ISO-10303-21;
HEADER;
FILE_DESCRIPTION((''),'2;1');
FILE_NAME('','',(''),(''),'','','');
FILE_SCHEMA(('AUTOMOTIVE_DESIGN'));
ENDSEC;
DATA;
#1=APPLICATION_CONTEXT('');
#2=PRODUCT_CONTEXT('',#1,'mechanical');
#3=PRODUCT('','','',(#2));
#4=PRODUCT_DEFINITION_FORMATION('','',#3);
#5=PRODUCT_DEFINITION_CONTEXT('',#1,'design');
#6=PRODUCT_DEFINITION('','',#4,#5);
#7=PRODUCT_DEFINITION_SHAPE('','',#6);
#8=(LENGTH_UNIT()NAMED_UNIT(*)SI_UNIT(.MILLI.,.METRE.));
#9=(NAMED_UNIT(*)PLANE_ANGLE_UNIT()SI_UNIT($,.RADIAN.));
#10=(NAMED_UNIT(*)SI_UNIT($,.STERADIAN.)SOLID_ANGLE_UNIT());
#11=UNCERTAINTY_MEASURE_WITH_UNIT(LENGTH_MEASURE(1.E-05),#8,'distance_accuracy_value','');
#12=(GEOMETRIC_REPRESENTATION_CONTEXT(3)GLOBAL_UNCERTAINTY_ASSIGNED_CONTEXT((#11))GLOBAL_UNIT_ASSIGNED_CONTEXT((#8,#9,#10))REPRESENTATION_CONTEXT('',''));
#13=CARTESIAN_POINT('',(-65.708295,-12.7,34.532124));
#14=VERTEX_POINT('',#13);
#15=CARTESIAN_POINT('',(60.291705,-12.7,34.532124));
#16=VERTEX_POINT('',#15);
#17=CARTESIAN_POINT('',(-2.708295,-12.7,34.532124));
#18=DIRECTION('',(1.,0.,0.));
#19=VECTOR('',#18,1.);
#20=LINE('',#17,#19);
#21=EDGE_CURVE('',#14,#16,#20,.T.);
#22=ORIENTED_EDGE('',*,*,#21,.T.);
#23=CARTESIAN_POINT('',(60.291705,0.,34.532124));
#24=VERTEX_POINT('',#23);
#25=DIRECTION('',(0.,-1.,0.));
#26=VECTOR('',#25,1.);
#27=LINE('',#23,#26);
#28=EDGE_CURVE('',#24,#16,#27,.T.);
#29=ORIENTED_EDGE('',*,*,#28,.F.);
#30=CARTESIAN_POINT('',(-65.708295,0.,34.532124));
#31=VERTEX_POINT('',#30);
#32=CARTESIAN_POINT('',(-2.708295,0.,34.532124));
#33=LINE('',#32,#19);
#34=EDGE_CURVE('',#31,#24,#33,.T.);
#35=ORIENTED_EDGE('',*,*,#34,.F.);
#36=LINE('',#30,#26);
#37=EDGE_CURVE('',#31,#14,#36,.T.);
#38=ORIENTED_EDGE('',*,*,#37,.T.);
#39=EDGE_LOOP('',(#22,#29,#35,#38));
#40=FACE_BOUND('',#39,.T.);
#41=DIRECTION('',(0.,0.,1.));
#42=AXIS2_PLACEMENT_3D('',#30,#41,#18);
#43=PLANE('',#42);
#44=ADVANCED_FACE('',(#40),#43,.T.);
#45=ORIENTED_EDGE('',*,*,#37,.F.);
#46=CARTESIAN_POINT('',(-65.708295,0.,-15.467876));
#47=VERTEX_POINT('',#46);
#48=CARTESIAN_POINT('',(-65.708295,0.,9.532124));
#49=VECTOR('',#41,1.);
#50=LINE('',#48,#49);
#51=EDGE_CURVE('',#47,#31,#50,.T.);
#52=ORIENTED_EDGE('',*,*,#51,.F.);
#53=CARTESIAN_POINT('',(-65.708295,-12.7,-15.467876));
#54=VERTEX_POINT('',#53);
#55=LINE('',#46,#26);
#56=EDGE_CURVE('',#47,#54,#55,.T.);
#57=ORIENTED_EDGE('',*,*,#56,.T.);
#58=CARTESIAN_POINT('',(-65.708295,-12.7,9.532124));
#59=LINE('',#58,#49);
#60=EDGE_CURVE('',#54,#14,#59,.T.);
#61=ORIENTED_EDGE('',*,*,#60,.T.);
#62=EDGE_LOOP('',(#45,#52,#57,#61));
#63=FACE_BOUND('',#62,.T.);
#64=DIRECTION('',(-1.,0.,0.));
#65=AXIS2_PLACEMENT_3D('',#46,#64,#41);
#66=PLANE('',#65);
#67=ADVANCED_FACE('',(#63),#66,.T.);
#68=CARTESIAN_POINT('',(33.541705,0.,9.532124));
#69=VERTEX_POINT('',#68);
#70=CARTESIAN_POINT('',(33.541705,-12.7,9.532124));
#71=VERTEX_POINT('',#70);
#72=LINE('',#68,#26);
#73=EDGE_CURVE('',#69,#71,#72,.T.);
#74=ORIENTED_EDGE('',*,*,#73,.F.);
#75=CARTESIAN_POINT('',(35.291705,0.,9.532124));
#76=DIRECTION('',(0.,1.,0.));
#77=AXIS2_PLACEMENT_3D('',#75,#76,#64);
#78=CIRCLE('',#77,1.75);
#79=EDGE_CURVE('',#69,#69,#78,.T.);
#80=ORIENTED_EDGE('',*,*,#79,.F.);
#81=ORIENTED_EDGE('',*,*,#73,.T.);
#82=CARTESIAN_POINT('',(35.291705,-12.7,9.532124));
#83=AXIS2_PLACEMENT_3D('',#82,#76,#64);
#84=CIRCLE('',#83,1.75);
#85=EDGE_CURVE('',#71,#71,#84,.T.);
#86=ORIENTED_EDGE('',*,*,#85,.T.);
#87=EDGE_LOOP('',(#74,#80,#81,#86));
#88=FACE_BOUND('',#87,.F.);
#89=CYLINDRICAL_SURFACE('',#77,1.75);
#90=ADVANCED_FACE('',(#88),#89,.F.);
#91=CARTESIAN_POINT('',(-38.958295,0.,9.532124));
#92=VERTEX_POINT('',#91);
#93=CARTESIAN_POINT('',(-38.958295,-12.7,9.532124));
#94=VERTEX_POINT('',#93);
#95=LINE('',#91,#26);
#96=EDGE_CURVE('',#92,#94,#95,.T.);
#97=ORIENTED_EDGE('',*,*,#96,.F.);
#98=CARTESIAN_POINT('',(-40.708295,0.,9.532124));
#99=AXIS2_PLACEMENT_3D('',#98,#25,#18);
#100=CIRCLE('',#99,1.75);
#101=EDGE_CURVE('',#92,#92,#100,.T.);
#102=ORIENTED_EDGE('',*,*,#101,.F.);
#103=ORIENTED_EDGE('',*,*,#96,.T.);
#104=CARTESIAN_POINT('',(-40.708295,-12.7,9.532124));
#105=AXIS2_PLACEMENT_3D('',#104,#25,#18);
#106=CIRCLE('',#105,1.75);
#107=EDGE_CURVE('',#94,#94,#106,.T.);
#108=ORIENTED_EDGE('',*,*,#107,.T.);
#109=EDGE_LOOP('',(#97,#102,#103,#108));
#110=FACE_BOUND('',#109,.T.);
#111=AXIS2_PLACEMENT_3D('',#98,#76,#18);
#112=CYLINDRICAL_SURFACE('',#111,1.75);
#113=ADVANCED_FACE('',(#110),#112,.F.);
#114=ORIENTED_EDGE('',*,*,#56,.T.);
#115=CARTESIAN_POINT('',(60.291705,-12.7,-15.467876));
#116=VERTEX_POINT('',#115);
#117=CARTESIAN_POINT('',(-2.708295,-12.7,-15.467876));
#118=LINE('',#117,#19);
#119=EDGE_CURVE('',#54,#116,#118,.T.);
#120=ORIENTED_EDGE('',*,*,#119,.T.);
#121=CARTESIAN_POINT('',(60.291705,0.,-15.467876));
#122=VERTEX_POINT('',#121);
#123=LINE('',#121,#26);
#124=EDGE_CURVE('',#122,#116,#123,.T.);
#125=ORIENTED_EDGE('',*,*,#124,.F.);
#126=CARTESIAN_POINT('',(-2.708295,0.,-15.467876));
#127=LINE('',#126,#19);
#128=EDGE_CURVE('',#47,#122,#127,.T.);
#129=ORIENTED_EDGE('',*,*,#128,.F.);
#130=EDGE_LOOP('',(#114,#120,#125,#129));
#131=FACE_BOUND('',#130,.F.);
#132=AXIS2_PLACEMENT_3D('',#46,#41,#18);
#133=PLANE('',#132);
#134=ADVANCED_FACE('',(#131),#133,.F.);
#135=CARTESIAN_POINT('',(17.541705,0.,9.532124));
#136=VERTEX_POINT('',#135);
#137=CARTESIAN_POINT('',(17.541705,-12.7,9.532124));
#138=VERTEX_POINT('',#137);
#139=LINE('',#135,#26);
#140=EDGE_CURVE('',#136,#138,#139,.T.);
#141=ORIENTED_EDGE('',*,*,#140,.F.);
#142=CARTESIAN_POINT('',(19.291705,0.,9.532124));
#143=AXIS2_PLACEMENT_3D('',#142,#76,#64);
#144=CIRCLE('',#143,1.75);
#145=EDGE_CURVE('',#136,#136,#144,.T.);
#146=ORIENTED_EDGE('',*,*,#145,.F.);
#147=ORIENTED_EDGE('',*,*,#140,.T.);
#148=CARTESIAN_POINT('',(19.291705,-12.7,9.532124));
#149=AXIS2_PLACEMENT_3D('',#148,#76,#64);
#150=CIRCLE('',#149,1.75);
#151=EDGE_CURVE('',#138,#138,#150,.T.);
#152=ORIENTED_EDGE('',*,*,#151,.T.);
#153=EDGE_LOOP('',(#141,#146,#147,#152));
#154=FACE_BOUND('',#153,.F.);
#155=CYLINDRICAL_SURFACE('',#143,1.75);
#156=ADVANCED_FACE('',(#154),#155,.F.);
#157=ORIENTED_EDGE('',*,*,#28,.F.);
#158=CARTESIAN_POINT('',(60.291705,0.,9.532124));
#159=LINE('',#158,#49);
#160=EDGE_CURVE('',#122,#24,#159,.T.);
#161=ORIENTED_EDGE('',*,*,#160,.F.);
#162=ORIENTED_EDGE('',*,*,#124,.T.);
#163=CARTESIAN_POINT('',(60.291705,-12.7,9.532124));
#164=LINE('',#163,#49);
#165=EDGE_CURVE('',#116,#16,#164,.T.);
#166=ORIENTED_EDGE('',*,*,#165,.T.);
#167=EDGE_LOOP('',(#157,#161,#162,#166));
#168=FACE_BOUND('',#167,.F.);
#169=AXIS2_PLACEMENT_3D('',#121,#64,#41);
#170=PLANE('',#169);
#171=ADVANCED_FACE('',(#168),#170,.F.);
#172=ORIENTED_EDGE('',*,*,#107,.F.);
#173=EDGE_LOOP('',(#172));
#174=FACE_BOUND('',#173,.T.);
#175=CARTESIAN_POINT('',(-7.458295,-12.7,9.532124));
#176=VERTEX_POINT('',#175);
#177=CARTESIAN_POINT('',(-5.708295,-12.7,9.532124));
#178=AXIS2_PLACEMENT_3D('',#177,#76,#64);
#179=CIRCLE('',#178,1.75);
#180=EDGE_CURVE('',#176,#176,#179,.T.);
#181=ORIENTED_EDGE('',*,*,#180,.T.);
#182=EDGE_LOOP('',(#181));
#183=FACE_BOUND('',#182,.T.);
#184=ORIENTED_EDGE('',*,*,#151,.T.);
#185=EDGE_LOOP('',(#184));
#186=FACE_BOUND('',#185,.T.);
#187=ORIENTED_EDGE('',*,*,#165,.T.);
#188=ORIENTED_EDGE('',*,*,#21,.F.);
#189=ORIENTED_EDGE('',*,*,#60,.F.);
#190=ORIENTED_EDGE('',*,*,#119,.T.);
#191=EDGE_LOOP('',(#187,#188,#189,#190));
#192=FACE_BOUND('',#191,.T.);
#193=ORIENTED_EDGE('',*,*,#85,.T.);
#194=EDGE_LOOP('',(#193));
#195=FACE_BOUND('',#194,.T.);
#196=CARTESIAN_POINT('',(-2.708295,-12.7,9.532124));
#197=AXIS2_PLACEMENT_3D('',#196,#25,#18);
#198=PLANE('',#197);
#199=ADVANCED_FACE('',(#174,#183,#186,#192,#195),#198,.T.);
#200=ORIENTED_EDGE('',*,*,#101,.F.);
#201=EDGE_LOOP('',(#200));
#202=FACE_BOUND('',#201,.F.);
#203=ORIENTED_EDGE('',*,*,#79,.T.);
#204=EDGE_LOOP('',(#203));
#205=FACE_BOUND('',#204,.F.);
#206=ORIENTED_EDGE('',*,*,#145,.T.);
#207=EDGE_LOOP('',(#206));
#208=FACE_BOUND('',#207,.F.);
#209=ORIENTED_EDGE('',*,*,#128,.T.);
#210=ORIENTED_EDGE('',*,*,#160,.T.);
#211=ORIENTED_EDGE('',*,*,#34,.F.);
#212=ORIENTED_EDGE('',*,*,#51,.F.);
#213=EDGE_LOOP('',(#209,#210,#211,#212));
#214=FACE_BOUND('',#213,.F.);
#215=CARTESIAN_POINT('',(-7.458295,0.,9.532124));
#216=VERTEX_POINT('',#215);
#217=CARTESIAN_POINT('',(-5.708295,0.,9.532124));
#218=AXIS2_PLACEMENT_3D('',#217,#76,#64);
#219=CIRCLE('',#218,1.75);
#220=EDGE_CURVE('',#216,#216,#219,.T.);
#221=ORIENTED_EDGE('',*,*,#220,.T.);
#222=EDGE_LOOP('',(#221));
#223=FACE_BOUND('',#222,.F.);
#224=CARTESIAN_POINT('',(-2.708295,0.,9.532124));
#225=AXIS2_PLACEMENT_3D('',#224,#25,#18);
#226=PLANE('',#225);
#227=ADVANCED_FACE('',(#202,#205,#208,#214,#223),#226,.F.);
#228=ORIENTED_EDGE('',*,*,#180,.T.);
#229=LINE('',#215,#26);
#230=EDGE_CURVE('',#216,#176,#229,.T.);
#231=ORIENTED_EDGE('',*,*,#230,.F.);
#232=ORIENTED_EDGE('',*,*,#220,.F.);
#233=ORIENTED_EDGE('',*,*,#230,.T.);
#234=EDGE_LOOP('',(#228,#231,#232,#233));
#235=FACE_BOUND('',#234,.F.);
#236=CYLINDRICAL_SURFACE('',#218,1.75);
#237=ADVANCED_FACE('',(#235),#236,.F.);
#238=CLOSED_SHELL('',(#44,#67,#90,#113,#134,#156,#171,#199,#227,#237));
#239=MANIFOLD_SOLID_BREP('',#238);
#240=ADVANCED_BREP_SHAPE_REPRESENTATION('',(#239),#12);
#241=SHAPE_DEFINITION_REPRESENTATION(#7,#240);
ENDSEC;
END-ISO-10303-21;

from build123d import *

# Parameters (mm, degrees)
F0_W     = 126
F0_H     = 50
F0_R     = 1.75
F1_DEPTH = 12.7


with BuildPart() as f1:
    # F0 (on Front) → F1 (new body)
    with BuildSketch(Plane.XZ):
        with Locations((-2.708295, 9.532124)):
            Rectangle(F0_W, F0_H)
        with Locations((-40.708295, 9.532124)):
            Circle(F0_R, mode=Mode.SUBTRACT)
        with BuildLine():
            ThreePointArc((-3.958295, 9.532124), (-5.708295, 7.782124), (-7.458295, 9.532124))
            ThreePointArc((-7.458295, 9.532124), (-5.708295, 11.282124), (-3.958295, 9.532124))
        make_face(mode=Mode.SUBTRACT)
        with BuildLine():
            ThreePointArc((21.041705, 9.532124), (19.291705, 7.782124), (17.541705, 9.532124))
            ThreePointArc((17.541705, 9.532124), (19.291705, 11.282124), (21.041705, 9.532124))
        make_face(mode=Mode.SUBTRACT)
        with BuildLine():
            ThreePointArc((37.041705, 9.532124), (35.291705, 7.782124), (33.541705, 9.532124))
            ThreePointArc((33.541705, 9.532124), (35.291705, 11.282124), (37.041705, 9.532124))
        make_face(mode=Mode.SUBTRACT)
    extrude(amount=F1_DEPTH)


solid = f1.part
